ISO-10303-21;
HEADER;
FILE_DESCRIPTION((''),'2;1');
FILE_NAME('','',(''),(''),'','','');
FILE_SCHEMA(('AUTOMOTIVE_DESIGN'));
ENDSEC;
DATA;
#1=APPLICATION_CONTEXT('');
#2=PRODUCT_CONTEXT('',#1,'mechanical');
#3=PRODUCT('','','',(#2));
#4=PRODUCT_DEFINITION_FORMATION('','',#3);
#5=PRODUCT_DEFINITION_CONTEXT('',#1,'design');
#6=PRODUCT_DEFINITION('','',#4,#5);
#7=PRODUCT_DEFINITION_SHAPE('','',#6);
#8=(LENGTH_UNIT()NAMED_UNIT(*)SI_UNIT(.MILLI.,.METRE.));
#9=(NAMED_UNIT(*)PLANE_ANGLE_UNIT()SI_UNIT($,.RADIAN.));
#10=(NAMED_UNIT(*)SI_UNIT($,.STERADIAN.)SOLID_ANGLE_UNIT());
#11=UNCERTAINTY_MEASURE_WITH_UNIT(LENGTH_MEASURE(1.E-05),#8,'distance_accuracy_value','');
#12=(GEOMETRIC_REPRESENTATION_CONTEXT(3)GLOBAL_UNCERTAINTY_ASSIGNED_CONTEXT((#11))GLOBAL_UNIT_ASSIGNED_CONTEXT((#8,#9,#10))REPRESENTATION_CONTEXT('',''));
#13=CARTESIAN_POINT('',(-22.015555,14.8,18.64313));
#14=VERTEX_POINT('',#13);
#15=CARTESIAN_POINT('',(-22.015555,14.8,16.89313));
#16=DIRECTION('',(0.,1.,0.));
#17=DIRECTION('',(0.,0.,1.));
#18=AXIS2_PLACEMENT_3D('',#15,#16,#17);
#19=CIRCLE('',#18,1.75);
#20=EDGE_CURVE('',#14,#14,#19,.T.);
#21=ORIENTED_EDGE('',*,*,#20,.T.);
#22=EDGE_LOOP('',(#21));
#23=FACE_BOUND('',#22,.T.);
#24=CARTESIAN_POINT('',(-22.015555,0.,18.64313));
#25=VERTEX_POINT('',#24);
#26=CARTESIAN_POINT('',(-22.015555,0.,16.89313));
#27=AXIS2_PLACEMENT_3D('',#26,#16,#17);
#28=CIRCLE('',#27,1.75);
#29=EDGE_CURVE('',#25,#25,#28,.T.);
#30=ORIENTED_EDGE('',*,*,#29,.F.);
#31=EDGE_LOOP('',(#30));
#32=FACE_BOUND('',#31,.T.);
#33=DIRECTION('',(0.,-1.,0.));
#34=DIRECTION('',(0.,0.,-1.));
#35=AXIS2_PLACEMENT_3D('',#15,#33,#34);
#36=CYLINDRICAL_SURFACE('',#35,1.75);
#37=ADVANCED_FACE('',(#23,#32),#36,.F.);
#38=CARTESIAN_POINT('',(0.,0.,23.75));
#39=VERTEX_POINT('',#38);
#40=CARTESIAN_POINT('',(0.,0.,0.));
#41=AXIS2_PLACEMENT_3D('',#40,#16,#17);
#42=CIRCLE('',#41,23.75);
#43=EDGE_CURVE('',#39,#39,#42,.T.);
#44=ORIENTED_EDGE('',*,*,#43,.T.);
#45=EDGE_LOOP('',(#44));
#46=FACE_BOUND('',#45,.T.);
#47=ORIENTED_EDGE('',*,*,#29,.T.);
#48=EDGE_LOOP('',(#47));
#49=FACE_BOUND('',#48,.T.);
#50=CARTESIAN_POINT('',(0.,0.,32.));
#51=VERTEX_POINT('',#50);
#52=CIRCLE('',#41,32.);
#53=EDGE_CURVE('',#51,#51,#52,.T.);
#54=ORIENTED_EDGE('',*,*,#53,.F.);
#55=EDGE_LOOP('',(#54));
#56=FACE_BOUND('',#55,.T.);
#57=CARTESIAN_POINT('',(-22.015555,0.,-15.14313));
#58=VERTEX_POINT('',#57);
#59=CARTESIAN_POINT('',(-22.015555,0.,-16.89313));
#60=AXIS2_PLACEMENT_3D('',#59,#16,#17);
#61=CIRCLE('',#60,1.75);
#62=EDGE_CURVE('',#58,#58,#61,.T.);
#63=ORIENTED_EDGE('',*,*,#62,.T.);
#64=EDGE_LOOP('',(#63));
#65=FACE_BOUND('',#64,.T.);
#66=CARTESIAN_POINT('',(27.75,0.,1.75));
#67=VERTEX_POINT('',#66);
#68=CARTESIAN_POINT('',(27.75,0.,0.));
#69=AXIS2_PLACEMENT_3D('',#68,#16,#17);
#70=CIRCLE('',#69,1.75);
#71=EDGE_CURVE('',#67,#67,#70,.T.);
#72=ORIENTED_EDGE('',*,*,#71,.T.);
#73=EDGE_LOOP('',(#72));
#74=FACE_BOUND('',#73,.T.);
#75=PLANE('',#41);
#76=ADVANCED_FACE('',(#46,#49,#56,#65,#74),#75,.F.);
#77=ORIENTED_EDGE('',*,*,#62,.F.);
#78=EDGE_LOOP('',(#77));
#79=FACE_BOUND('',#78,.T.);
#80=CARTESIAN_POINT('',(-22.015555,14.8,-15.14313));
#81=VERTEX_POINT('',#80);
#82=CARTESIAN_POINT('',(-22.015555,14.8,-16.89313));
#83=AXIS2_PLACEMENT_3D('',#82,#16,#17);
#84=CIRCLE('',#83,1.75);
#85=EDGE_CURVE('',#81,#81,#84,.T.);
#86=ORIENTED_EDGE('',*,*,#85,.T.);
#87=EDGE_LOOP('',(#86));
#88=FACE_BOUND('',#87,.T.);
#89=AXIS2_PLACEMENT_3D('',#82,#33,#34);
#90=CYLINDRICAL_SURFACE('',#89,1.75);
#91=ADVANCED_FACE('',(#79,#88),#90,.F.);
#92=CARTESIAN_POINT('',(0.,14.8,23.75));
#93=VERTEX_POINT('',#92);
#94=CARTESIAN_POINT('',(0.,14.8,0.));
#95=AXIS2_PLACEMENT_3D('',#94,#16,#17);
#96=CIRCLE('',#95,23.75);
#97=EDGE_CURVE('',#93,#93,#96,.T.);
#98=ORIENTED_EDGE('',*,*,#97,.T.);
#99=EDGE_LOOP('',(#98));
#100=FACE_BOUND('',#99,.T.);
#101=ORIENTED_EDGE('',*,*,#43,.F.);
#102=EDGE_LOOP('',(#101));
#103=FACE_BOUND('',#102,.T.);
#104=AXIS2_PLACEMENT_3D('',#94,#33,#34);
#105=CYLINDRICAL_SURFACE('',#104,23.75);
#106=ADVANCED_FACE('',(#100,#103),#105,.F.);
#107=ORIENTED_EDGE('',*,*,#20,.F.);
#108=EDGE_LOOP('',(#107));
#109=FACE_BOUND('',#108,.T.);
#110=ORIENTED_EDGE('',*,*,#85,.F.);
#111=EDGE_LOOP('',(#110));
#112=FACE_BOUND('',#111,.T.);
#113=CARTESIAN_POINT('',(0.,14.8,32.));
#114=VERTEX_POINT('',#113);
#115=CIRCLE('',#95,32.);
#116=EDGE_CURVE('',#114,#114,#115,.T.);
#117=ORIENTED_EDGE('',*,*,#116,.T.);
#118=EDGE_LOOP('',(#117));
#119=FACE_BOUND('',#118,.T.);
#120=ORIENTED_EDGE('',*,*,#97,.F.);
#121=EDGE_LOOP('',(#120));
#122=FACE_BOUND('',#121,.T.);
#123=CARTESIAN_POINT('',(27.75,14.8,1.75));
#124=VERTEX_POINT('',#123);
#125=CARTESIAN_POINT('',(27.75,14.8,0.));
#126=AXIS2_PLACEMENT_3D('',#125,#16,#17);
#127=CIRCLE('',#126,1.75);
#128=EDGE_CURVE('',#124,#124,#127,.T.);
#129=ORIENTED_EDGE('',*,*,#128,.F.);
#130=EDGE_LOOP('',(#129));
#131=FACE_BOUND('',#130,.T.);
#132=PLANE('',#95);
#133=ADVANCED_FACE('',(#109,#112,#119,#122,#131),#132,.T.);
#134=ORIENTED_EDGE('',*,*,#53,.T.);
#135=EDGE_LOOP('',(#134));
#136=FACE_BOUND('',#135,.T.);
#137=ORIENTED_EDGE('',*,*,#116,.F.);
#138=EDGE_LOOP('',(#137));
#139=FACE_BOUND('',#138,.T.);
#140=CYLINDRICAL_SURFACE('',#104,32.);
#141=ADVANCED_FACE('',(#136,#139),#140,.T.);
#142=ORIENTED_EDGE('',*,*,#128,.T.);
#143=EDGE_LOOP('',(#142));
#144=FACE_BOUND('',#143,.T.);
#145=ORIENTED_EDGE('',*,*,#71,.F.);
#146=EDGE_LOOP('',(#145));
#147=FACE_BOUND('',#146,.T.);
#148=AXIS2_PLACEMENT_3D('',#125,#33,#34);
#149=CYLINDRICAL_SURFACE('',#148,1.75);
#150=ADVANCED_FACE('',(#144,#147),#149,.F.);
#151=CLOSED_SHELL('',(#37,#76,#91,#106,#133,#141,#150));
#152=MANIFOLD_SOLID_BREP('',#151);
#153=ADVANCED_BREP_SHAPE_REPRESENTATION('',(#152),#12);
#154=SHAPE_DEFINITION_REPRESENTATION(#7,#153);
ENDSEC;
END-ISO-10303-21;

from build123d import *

# Parameters (mm, degrees)
SKETCH1_R           = 32
SKETCH1_R_2         = 23.75
SKETCH1_R_3         = 1.75
BOSS_EXTRUDE1_DEPTH = 14.8


with BuildPart() as part:
    # Sketch1 → Boss-Extrude1 (new body)
    with BuildSketch(Plane(origin=(0, 0, 0), x_dir=(1, 0, 0), z_dir=(0, 1, 0))):
        with Locations(Location((0, 0, 0), (0, 0, 270))):
            Circle(SKETCH1_R)
        with Locations(Location((0, 0, 0), (0, 0, 270))):
            Circle(SKETCH1_R_2, mode=Mode.SUBTRACT)
        with Locations(Location((27.75, 0, 0), (0, 0, 270))):
            Circle(SKETCH1_R_3, mode=Mode.SUBTRACT)
        with Locations(Location((-22.015555193, -16.893129655, 0), (0, 0, 270))):
            Circle(SKETCH1_R_3, mode=Mode.SUBTRACT)
        with Locations(Location((-22.015555193, 16.893129655, 0), (0, 0, 270))):
            Circle(SKETCH1_R_3, mode=Mode.SUBTRACT)
    extrude(amount=BOSS_EXTRUDE1_DEPTH)


solid = part.part
